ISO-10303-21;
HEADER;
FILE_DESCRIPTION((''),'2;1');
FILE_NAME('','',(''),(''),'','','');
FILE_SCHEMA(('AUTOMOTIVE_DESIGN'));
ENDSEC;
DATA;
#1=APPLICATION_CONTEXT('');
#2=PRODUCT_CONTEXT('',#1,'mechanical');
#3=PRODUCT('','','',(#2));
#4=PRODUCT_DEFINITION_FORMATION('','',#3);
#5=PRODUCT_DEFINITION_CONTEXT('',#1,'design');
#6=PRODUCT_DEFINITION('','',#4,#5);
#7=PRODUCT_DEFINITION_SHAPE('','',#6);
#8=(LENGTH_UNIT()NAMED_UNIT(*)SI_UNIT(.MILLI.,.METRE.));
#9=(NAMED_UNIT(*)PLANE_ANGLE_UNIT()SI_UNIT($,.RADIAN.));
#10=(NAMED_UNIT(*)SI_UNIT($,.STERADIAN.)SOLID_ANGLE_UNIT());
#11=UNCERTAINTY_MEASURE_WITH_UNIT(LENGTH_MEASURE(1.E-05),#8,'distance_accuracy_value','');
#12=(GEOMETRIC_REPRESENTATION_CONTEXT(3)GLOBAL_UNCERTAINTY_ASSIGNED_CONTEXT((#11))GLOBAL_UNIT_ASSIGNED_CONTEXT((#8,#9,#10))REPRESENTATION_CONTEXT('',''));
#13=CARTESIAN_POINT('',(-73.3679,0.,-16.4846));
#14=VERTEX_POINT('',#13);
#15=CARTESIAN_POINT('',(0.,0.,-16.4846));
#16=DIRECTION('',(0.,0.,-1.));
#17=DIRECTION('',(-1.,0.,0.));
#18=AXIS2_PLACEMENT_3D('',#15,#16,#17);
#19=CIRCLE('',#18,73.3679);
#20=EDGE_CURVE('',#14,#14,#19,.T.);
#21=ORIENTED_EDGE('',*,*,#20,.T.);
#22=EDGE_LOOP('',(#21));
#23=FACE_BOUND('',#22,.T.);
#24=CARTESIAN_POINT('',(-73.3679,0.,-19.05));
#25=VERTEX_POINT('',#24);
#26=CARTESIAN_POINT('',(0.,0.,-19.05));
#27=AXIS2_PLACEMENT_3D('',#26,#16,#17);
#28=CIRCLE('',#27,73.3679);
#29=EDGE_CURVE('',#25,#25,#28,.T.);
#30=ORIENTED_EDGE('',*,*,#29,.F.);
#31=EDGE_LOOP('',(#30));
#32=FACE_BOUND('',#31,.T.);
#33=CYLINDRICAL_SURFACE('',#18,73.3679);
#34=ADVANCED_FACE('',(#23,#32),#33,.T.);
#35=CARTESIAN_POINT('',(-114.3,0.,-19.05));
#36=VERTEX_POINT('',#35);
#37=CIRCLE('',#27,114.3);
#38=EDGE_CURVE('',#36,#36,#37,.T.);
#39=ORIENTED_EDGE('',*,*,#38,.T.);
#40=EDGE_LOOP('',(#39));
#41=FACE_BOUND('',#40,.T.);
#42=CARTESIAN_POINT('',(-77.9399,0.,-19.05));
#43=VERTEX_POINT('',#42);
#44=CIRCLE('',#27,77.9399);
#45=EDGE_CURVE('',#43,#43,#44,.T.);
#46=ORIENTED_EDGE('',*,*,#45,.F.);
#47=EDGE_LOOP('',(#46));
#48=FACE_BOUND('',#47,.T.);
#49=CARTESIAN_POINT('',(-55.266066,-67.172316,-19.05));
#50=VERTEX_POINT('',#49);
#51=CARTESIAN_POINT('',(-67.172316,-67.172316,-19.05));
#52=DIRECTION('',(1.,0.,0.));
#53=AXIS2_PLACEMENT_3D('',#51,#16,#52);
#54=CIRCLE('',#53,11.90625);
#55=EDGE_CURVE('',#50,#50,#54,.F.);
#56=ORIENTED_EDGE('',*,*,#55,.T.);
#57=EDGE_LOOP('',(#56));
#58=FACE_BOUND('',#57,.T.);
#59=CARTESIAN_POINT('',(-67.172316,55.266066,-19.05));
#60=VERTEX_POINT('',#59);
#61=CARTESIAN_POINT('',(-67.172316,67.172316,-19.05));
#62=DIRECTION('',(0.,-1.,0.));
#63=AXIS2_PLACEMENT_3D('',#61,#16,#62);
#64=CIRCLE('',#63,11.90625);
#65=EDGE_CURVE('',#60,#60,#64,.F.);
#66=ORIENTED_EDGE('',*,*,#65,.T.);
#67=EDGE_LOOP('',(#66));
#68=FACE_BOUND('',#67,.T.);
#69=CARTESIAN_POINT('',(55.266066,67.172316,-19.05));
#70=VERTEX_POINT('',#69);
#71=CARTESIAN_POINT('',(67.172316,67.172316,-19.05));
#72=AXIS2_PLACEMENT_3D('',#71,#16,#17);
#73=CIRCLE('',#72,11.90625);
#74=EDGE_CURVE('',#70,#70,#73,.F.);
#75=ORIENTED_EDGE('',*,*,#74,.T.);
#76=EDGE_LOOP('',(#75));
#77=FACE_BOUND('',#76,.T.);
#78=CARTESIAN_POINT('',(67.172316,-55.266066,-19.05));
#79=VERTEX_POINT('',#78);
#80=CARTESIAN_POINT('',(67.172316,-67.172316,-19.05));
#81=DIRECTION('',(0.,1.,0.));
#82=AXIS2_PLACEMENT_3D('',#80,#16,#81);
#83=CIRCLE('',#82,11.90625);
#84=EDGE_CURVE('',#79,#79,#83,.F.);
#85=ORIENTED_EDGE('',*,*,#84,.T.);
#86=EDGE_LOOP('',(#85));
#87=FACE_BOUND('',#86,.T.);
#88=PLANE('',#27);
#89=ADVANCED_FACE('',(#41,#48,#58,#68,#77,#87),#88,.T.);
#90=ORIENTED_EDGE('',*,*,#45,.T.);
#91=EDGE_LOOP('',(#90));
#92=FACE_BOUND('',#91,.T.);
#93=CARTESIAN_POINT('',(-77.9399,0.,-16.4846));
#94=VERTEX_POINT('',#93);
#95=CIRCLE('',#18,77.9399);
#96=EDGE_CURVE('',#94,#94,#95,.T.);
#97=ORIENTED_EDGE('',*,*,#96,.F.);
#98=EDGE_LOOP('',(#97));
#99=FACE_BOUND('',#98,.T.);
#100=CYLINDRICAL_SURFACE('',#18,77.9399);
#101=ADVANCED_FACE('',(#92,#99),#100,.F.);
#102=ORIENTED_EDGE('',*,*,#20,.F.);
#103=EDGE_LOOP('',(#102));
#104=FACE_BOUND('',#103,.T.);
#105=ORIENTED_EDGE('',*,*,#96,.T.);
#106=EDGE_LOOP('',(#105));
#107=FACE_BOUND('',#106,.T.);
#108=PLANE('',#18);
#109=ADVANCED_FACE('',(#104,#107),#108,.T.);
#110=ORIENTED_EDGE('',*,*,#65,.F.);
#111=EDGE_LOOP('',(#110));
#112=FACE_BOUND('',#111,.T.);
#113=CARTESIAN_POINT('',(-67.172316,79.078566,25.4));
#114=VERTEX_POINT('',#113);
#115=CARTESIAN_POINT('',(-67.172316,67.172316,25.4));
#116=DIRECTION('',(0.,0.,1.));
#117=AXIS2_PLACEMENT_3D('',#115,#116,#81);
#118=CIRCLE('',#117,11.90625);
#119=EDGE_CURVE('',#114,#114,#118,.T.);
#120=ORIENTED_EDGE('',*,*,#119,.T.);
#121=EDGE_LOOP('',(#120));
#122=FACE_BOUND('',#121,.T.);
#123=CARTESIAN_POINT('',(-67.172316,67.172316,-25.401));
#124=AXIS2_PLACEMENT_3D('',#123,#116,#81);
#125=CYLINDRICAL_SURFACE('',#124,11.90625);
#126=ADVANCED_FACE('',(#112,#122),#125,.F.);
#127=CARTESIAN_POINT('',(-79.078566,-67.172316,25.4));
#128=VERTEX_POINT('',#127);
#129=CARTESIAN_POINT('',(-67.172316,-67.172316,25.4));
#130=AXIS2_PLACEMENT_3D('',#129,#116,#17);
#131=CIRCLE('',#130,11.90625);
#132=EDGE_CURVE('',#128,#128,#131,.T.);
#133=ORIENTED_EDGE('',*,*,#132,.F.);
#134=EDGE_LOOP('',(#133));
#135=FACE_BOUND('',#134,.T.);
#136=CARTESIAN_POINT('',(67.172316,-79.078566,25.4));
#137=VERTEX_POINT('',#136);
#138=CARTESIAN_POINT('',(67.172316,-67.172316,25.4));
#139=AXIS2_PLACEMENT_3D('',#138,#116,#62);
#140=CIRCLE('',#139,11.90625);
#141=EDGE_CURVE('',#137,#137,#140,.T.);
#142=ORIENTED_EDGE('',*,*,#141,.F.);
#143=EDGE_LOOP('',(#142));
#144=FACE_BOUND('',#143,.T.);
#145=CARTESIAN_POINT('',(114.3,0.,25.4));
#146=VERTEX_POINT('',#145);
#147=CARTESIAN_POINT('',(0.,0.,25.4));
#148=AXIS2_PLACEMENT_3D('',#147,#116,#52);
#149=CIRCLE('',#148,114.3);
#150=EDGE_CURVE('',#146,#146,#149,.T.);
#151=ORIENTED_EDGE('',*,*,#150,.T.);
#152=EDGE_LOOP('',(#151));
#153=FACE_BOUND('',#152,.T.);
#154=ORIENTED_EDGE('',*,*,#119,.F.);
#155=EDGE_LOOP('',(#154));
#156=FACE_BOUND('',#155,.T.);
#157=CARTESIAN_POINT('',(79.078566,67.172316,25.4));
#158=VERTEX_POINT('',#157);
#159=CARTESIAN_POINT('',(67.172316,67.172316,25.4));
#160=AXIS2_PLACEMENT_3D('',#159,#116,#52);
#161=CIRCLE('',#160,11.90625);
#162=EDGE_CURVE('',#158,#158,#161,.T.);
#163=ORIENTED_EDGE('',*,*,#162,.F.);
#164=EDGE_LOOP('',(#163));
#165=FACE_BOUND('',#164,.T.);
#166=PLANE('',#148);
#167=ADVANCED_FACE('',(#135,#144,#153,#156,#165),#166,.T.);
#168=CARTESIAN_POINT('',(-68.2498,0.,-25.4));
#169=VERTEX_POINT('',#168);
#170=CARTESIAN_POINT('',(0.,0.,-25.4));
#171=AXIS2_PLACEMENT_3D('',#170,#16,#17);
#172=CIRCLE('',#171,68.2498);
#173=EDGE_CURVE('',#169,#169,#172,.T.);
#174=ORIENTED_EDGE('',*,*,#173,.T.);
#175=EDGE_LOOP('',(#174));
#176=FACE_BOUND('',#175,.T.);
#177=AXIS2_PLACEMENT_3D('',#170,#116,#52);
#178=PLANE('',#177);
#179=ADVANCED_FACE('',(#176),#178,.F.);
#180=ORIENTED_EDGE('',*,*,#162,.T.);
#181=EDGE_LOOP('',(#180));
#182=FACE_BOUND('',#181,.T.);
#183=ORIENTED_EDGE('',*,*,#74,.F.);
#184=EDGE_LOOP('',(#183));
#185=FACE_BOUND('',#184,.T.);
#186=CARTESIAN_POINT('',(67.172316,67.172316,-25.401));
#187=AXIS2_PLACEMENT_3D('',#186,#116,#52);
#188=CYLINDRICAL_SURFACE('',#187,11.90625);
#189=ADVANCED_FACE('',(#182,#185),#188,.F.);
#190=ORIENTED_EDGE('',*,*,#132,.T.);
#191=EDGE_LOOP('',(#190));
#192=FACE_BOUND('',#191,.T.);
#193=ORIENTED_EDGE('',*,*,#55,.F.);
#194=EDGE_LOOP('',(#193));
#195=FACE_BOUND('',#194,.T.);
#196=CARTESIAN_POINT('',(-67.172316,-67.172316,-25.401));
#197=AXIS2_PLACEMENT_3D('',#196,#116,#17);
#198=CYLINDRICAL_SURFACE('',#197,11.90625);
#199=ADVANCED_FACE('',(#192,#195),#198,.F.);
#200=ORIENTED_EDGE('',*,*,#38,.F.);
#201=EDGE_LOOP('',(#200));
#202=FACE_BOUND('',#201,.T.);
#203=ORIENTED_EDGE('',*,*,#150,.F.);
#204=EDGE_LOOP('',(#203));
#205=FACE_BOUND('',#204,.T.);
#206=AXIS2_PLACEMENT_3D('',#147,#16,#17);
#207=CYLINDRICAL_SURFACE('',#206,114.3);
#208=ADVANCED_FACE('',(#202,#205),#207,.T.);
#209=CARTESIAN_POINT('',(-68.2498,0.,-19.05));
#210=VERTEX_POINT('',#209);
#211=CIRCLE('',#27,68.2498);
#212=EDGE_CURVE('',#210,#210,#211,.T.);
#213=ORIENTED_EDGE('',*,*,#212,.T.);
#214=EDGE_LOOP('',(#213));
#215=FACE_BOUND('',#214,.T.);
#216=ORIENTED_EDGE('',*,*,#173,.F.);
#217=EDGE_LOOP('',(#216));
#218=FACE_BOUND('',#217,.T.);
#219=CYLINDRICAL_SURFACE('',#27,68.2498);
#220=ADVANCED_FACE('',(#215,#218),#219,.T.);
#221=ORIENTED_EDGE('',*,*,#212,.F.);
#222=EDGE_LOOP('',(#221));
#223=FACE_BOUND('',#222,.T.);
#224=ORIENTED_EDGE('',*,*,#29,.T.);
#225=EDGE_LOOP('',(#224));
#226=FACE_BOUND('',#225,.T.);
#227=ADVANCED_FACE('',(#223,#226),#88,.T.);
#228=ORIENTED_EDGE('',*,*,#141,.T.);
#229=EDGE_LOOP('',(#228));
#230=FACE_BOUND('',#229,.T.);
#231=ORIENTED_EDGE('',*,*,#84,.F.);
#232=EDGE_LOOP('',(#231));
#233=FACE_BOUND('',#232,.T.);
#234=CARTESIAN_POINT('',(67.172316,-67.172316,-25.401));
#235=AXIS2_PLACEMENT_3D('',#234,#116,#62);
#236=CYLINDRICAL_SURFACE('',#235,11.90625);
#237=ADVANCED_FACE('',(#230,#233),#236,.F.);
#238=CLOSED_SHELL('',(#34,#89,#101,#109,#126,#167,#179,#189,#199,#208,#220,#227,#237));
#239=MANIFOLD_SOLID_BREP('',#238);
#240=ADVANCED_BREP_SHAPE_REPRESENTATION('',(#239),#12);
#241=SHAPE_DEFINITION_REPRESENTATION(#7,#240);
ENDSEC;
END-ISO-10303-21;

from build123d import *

# Parameters (mm, degrees)
SKETCH1_R           = 114.3
BOSS_EXTRUDE1_DEPTH = 25.4
CUT_EXTRUDE1_START  = -6.35
SKETCH2_R           = 114.3
SKETCH2_R_2         = 68.2498
CUT_EXTRUDE1_DEPTH  = 6.35
SKETCH3_R           = 77.9399
SKETCH3_R_2         = 73.3679
CUT_EXTRUDE2_DEPTH  = 2.5654
CUT_EXTRUDE3_REACH  = 171.439
SKETCH5_R           = 11.90625
CIRPATTERN1_COUNT   = 4


with BuildPart() as part:
    # Sketch1 → Boss-Extrude1 (new, symmetric)
    with BuildSketch(Plane.XY):
        Circle(SKETCH1_R)
    extrude(amount=BOSS_EXTRUDE1_DEPTH, both=True)

    # Sketch2 → Cut-Extrude1 (cut)
    with BuildSketch(Plane(origin=(0, 0, -25.4), x_dir=(-1, 0, 0), z_dir=(0, 0, -1)).offset(CUT_EXTRUDE1_START)):
        Circle(SKETCH2_R)
        Circle(SKETCH2_R_2, mode=Mode.SUBTRACT)
    extrude(amount=CUT_EXTRUDE1_DEPTH, mode=Mode.SUBTRACT)

    # Sketch3 → Cut-Extrude2 (cut)
    with BuildSketch(Plane(origin=(0, 0, -19.05), x_dir=(-1, 0, 0), z_dir=(0, 0, -1))):
        Circle(SKETCH3_R)
        Circle(SKETCH3_R_2, mode=Mode.SUBTRACT)
    extrude(amount=-CUT_EXTRUDE2_DEPTH, mode=Mode.SUBTRACT)

    # Sketch5 → Cut-Extrude3 (cut, up to next)
    with BuildSketch(Plane.XY.offset(25.4), mode=Mode.PRIVATE) as cut_extrude3_sk1:
        with Locations((67.172315786, 67.172315786)):
            Circle(SKETCH5_R)
    cut_extrude3_tool1 = extrude(cut_extrude3_sk1.sketch, amount=-CUT_EXTRUDE3_REACH, mode=Mode.PRIVATE) & part.part
    cut_extrude3 = cut_extrude3_tool1.solids().sort_by_distance((67.172316, 67.172316, 25.4))[0]
    add(cut_extrude3, mode=Mode.SUBTRACT)

    # CirPattern1: Cut-Extrude3 ×4 about axis
    cirpattern1_axis = Axis((0, 0, 0), (0, 0, 1))
    for i in range(1, CIRPATTERN1_COUNT):
        add(cut_extrude3.rotate(cirpattern1_axis, i * 360 / CIRPATTERN1_COUNT), mode=Mode.SUBTRACT)


solid = part.part
